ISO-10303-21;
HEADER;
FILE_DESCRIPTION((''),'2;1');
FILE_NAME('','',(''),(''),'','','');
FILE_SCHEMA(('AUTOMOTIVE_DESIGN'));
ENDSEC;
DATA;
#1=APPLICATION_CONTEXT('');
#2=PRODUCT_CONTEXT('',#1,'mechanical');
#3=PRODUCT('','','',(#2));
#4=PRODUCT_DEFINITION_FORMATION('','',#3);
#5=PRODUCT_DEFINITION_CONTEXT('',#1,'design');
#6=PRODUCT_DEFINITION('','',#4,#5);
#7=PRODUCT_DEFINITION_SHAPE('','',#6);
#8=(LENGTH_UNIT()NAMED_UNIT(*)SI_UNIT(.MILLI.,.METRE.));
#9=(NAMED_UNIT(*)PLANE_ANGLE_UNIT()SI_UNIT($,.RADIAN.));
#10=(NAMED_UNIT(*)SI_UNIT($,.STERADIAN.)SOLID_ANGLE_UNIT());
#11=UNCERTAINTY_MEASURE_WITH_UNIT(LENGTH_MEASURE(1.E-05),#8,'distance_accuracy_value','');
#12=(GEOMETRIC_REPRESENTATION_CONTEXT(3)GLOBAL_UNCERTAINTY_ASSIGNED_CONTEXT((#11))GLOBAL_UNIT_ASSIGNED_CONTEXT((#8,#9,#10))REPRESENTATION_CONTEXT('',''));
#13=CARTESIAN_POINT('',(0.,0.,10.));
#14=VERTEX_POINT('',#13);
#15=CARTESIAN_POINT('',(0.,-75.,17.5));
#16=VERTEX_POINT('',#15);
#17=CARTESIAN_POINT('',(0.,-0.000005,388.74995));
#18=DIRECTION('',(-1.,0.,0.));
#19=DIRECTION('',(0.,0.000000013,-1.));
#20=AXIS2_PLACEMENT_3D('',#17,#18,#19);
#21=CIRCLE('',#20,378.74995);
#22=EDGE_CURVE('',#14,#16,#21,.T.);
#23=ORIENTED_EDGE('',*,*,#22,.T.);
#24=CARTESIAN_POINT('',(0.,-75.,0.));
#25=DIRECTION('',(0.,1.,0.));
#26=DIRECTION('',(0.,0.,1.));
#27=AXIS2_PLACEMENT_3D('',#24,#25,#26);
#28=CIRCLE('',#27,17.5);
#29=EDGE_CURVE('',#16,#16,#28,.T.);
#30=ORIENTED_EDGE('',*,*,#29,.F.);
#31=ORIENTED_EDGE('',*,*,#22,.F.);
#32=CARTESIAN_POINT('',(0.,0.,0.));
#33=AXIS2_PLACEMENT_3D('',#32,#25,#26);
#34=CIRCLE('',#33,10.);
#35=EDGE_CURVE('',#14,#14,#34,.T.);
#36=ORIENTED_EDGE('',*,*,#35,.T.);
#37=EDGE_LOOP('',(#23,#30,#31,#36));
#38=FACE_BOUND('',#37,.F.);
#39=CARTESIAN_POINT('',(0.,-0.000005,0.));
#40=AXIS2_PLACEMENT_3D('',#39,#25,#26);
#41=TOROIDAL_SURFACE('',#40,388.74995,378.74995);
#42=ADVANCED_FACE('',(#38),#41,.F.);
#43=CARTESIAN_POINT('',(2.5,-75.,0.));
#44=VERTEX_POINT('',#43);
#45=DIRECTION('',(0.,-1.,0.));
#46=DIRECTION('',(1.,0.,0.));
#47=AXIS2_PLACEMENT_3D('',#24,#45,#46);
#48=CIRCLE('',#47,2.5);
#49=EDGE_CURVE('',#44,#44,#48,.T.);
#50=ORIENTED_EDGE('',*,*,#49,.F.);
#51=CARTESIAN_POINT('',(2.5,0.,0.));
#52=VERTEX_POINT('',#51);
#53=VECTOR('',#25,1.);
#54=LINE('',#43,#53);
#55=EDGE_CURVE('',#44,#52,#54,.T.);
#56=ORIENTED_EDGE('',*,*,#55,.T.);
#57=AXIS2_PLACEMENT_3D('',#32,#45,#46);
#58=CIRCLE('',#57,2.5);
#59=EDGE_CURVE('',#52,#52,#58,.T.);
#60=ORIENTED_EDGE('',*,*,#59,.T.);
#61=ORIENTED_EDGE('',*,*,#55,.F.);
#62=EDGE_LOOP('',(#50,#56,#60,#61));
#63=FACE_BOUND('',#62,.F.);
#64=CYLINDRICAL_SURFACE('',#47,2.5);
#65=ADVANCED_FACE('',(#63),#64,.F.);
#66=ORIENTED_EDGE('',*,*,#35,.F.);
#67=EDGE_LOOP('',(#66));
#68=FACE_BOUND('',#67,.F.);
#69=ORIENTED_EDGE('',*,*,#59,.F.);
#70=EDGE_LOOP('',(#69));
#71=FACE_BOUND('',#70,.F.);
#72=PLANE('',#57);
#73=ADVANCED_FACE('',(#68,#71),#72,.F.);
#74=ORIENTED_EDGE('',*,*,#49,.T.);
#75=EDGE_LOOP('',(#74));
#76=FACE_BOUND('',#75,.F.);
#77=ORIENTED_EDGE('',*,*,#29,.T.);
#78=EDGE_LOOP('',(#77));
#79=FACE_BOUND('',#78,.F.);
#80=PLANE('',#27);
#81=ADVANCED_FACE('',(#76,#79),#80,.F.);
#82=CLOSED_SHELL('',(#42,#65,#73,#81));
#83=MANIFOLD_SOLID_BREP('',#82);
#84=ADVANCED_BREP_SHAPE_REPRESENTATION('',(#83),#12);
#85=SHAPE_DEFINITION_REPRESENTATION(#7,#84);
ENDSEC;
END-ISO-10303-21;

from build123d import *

# Parameters (mm, degrees)
F2_R     = 2.5
F7_DEPTH = 150.001
F8_R     = 25
F9_DEPTH = 75.001


with BuildPart() as f6:
    # F5 (on Right) → F6 (revolve)
    with BuildSketch(Plane.YZ):
        with BuildLine():
            Line((-75, 17.5), (-75, 0))
            Line((-75, 0), (0, 0))
            Line((0, 0), (0, 10))
            ThreePointArc((0, 10), (-37.687034, 11.879664), (-75, 17.5))
        make_face()
        with BuildLine():
            Line((0, 10), (0, 0))
            Line((0, 0), (75, 0))
            Line((75, 0), (75, 17.5))
            ThreePointArc((75, 17.5), (37.687034, 11.879664), (0, 10))
        make_face()
    revolve(axis=Axis((0, 0, 0), (0, 1, 0)))

    # F2 (on offset) → F7 (cut, through all)
    with BuildSketch(Plane.XZ.offset(75)):
        Circle(F2_R)
    extrude(amount=-F7_DEPTH, mode=Mode.SUBTRACT)

    # F8 (on Front) → F9 (cut, through all)
    with BuildSketch(Plane.XZ):
        Circle(F8_R)
    extrude(amount=-F9_DEPTH, mode=Mode.SUBTRACT)


solid = f6.part
